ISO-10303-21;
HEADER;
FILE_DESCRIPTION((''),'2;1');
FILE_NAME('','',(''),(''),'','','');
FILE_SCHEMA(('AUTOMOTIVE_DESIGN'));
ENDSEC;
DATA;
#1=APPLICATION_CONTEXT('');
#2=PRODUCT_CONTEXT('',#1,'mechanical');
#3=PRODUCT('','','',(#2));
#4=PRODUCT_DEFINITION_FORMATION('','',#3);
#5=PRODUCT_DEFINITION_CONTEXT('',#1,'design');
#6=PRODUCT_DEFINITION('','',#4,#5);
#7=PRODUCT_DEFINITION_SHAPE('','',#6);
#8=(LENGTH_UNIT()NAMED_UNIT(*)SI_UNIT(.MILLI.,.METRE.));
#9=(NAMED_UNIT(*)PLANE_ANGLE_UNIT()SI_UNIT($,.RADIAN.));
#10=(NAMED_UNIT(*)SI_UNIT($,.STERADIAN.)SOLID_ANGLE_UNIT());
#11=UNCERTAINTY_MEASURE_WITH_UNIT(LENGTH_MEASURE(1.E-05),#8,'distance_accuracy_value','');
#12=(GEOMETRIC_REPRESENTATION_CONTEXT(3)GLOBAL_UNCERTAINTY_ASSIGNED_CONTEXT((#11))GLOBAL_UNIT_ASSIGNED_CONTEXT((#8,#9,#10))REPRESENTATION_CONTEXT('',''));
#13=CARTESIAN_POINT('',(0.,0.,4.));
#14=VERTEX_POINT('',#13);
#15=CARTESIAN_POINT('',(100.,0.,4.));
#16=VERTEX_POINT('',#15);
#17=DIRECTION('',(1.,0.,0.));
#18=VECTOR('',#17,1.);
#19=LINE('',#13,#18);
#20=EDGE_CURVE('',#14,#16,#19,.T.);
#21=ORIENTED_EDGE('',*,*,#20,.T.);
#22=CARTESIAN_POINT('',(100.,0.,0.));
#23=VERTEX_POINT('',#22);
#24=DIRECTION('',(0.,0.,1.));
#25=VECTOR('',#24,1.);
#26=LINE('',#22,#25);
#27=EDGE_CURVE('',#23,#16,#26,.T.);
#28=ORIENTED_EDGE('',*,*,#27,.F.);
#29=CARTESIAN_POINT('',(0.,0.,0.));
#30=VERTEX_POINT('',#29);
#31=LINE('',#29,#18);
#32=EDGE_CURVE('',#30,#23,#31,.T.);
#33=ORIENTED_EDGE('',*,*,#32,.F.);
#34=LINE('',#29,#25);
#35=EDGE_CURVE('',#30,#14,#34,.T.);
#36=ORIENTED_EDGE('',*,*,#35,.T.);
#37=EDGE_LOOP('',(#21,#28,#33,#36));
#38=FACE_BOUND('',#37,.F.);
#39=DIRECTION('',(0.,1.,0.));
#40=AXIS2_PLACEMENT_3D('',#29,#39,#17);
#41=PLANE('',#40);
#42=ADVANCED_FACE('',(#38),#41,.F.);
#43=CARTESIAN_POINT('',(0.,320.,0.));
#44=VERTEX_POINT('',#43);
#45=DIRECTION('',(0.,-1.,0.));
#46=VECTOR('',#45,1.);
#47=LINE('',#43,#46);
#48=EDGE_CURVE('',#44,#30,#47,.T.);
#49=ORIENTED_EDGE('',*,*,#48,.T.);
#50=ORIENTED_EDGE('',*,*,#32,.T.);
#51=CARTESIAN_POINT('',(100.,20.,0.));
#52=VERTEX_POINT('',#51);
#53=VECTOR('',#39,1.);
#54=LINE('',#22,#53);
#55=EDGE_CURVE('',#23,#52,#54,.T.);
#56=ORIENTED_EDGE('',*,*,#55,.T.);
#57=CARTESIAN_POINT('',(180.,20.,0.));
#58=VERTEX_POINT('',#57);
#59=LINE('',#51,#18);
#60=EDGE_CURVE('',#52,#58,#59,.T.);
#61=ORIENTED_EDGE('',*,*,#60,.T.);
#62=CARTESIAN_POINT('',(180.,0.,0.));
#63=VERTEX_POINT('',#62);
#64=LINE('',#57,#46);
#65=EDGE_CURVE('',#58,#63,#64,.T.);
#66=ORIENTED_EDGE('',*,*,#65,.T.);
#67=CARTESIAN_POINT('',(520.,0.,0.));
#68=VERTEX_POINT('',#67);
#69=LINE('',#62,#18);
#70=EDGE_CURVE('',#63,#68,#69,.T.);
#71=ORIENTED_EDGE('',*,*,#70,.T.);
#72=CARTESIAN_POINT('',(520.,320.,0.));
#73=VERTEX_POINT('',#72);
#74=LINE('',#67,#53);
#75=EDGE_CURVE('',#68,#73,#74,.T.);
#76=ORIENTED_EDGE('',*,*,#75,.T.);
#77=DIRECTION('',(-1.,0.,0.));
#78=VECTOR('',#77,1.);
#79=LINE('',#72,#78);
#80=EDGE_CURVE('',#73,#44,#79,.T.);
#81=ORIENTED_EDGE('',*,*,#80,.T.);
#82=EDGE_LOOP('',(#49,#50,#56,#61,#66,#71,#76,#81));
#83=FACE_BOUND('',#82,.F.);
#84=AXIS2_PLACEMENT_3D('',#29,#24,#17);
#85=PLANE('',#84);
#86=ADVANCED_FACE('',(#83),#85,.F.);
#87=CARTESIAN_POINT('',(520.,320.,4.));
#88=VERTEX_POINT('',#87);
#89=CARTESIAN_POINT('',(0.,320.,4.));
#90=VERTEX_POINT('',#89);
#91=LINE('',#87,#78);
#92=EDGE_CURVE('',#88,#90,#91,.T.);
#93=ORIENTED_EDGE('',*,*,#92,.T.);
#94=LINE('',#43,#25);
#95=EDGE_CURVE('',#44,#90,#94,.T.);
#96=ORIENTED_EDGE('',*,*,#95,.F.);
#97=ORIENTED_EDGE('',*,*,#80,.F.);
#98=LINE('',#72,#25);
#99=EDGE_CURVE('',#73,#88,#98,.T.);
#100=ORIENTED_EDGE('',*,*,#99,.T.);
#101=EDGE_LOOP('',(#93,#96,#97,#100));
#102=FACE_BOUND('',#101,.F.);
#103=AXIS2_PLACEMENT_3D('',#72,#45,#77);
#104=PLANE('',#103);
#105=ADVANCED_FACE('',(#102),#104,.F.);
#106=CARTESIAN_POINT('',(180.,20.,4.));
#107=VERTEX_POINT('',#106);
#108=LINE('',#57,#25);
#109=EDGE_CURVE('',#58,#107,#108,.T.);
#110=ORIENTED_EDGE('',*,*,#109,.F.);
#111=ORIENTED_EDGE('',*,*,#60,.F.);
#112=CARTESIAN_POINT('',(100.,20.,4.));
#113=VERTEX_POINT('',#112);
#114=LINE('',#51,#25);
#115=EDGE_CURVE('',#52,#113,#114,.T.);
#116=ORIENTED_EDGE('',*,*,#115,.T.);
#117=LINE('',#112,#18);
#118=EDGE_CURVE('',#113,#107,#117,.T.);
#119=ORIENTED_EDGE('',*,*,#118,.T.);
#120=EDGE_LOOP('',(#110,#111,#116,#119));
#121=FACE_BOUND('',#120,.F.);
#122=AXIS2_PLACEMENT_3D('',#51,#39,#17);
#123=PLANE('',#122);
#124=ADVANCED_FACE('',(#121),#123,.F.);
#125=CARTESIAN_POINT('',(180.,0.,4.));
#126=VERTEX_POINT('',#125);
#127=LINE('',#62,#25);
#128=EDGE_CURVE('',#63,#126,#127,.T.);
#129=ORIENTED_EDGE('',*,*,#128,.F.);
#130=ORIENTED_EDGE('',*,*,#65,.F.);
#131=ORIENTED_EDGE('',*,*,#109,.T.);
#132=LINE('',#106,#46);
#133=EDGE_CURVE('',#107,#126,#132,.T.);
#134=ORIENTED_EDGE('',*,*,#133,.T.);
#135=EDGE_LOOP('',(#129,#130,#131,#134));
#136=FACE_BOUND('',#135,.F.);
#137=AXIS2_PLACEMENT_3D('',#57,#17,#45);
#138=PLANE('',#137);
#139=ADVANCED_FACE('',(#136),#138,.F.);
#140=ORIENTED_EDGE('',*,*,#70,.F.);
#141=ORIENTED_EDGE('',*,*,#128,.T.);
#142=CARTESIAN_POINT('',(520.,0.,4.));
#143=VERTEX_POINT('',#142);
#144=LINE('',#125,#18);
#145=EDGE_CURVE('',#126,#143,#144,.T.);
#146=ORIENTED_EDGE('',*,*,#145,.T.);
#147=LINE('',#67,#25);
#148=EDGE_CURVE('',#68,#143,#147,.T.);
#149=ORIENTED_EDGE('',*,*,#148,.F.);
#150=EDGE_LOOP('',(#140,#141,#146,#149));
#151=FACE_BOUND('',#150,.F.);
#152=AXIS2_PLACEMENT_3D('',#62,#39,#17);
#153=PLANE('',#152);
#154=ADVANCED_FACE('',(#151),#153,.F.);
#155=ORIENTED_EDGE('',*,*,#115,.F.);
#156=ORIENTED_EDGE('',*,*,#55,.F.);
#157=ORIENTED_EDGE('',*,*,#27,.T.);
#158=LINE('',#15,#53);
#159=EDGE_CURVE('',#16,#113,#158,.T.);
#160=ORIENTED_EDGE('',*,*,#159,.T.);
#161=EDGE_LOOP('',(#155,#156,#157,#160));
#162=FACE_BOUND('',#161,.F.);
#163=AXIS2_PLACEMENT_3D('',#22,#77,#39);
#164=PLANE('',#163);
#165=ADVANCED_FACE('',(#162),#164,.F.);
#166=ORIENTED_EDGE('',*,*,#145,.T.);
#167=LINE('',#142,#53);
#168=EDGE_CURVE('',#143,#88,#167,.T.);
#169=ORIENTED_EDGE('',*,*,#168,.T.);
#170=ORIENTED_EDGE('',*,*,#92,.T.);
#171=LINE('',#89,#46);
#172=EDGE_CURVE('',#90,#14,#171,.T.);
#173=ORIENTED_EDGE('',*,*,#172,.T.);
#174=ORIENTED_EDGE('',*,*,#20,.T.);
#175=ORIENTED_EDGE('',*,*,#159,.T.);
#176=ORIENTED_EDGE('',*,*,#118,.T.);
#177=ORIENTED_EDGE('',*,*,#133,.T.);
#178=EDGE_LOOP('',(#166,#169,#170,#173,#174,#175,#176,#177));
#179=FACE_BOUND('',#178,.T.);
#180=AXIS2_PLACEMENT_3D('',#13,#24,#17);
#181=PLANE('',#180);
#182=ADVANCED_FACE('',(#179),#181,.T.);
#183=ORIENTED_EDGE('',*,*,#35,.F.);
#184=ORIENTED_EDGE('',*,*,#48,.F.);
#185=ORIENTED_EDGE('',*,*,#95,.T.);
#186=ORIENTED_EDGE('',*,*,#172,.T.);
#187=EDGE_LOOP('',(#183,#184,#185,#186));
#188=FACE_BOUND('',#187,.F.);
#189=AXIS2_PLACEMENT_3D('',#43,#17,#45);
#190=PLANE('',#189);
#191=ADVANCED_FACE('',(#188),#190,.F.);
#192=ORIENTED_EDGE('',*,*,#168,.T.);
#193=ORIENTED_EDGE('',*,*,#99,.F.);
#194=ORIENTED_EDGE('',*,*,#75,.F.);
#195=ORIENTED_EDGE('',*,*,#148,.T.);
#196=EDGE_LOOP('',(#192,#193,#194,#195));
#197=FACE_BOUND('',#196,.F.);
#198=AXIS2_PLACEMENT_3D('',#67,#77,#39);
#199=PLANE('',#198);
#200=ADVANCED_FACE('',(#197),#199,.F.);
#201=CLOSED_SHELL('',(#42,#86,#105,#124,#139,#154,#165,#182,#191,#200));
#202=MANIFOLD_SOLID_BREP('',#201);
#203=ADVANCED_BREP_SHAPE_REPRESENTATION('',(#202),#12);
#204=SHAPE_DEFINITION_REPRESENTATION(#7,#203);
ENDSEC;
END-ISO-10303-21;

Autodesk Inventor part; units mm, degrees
ref_plane "YZ Plane" through (0, 0, 0) normal (1, 0, 0) x (0, 1, 0)
ref_plane "XZ Plane" through (0, 0, 0) normal (0, 1, 0) x (-1, 0, 0)
ref_plane "XY Plane" through (0, 0, 0) normal (0, 0, 1) x (1, 0, 0)
sketch "スケッチ1" plane through (0, 0, 0) normal (0, 0, 1) x (1, 0, 0)
  line L0 (0, 0) -> (100, 0)
  line L1 (100, 0) -> (100, 20)
  line L2 (100, 20) -> (180, 20)
  line L3 (180, 20) -> (180, 0)
  line L4 (180, 0) -> (520, 0)
  line L5 (520, 0) -> (520, 320)
  line L6 (520, 320) -> (0, 320)
  line L7 (0, 320) -> (0, 0)
  dimension "d0" = 520
  dimension "d1" = 320
  dimension "d2" = 20
  dimension "d3" = 80
  dimension "d4" = 100
extrude "押し出し1" add sketch "スケッチ1" along normal blind 4
properties part number "防水p2"
